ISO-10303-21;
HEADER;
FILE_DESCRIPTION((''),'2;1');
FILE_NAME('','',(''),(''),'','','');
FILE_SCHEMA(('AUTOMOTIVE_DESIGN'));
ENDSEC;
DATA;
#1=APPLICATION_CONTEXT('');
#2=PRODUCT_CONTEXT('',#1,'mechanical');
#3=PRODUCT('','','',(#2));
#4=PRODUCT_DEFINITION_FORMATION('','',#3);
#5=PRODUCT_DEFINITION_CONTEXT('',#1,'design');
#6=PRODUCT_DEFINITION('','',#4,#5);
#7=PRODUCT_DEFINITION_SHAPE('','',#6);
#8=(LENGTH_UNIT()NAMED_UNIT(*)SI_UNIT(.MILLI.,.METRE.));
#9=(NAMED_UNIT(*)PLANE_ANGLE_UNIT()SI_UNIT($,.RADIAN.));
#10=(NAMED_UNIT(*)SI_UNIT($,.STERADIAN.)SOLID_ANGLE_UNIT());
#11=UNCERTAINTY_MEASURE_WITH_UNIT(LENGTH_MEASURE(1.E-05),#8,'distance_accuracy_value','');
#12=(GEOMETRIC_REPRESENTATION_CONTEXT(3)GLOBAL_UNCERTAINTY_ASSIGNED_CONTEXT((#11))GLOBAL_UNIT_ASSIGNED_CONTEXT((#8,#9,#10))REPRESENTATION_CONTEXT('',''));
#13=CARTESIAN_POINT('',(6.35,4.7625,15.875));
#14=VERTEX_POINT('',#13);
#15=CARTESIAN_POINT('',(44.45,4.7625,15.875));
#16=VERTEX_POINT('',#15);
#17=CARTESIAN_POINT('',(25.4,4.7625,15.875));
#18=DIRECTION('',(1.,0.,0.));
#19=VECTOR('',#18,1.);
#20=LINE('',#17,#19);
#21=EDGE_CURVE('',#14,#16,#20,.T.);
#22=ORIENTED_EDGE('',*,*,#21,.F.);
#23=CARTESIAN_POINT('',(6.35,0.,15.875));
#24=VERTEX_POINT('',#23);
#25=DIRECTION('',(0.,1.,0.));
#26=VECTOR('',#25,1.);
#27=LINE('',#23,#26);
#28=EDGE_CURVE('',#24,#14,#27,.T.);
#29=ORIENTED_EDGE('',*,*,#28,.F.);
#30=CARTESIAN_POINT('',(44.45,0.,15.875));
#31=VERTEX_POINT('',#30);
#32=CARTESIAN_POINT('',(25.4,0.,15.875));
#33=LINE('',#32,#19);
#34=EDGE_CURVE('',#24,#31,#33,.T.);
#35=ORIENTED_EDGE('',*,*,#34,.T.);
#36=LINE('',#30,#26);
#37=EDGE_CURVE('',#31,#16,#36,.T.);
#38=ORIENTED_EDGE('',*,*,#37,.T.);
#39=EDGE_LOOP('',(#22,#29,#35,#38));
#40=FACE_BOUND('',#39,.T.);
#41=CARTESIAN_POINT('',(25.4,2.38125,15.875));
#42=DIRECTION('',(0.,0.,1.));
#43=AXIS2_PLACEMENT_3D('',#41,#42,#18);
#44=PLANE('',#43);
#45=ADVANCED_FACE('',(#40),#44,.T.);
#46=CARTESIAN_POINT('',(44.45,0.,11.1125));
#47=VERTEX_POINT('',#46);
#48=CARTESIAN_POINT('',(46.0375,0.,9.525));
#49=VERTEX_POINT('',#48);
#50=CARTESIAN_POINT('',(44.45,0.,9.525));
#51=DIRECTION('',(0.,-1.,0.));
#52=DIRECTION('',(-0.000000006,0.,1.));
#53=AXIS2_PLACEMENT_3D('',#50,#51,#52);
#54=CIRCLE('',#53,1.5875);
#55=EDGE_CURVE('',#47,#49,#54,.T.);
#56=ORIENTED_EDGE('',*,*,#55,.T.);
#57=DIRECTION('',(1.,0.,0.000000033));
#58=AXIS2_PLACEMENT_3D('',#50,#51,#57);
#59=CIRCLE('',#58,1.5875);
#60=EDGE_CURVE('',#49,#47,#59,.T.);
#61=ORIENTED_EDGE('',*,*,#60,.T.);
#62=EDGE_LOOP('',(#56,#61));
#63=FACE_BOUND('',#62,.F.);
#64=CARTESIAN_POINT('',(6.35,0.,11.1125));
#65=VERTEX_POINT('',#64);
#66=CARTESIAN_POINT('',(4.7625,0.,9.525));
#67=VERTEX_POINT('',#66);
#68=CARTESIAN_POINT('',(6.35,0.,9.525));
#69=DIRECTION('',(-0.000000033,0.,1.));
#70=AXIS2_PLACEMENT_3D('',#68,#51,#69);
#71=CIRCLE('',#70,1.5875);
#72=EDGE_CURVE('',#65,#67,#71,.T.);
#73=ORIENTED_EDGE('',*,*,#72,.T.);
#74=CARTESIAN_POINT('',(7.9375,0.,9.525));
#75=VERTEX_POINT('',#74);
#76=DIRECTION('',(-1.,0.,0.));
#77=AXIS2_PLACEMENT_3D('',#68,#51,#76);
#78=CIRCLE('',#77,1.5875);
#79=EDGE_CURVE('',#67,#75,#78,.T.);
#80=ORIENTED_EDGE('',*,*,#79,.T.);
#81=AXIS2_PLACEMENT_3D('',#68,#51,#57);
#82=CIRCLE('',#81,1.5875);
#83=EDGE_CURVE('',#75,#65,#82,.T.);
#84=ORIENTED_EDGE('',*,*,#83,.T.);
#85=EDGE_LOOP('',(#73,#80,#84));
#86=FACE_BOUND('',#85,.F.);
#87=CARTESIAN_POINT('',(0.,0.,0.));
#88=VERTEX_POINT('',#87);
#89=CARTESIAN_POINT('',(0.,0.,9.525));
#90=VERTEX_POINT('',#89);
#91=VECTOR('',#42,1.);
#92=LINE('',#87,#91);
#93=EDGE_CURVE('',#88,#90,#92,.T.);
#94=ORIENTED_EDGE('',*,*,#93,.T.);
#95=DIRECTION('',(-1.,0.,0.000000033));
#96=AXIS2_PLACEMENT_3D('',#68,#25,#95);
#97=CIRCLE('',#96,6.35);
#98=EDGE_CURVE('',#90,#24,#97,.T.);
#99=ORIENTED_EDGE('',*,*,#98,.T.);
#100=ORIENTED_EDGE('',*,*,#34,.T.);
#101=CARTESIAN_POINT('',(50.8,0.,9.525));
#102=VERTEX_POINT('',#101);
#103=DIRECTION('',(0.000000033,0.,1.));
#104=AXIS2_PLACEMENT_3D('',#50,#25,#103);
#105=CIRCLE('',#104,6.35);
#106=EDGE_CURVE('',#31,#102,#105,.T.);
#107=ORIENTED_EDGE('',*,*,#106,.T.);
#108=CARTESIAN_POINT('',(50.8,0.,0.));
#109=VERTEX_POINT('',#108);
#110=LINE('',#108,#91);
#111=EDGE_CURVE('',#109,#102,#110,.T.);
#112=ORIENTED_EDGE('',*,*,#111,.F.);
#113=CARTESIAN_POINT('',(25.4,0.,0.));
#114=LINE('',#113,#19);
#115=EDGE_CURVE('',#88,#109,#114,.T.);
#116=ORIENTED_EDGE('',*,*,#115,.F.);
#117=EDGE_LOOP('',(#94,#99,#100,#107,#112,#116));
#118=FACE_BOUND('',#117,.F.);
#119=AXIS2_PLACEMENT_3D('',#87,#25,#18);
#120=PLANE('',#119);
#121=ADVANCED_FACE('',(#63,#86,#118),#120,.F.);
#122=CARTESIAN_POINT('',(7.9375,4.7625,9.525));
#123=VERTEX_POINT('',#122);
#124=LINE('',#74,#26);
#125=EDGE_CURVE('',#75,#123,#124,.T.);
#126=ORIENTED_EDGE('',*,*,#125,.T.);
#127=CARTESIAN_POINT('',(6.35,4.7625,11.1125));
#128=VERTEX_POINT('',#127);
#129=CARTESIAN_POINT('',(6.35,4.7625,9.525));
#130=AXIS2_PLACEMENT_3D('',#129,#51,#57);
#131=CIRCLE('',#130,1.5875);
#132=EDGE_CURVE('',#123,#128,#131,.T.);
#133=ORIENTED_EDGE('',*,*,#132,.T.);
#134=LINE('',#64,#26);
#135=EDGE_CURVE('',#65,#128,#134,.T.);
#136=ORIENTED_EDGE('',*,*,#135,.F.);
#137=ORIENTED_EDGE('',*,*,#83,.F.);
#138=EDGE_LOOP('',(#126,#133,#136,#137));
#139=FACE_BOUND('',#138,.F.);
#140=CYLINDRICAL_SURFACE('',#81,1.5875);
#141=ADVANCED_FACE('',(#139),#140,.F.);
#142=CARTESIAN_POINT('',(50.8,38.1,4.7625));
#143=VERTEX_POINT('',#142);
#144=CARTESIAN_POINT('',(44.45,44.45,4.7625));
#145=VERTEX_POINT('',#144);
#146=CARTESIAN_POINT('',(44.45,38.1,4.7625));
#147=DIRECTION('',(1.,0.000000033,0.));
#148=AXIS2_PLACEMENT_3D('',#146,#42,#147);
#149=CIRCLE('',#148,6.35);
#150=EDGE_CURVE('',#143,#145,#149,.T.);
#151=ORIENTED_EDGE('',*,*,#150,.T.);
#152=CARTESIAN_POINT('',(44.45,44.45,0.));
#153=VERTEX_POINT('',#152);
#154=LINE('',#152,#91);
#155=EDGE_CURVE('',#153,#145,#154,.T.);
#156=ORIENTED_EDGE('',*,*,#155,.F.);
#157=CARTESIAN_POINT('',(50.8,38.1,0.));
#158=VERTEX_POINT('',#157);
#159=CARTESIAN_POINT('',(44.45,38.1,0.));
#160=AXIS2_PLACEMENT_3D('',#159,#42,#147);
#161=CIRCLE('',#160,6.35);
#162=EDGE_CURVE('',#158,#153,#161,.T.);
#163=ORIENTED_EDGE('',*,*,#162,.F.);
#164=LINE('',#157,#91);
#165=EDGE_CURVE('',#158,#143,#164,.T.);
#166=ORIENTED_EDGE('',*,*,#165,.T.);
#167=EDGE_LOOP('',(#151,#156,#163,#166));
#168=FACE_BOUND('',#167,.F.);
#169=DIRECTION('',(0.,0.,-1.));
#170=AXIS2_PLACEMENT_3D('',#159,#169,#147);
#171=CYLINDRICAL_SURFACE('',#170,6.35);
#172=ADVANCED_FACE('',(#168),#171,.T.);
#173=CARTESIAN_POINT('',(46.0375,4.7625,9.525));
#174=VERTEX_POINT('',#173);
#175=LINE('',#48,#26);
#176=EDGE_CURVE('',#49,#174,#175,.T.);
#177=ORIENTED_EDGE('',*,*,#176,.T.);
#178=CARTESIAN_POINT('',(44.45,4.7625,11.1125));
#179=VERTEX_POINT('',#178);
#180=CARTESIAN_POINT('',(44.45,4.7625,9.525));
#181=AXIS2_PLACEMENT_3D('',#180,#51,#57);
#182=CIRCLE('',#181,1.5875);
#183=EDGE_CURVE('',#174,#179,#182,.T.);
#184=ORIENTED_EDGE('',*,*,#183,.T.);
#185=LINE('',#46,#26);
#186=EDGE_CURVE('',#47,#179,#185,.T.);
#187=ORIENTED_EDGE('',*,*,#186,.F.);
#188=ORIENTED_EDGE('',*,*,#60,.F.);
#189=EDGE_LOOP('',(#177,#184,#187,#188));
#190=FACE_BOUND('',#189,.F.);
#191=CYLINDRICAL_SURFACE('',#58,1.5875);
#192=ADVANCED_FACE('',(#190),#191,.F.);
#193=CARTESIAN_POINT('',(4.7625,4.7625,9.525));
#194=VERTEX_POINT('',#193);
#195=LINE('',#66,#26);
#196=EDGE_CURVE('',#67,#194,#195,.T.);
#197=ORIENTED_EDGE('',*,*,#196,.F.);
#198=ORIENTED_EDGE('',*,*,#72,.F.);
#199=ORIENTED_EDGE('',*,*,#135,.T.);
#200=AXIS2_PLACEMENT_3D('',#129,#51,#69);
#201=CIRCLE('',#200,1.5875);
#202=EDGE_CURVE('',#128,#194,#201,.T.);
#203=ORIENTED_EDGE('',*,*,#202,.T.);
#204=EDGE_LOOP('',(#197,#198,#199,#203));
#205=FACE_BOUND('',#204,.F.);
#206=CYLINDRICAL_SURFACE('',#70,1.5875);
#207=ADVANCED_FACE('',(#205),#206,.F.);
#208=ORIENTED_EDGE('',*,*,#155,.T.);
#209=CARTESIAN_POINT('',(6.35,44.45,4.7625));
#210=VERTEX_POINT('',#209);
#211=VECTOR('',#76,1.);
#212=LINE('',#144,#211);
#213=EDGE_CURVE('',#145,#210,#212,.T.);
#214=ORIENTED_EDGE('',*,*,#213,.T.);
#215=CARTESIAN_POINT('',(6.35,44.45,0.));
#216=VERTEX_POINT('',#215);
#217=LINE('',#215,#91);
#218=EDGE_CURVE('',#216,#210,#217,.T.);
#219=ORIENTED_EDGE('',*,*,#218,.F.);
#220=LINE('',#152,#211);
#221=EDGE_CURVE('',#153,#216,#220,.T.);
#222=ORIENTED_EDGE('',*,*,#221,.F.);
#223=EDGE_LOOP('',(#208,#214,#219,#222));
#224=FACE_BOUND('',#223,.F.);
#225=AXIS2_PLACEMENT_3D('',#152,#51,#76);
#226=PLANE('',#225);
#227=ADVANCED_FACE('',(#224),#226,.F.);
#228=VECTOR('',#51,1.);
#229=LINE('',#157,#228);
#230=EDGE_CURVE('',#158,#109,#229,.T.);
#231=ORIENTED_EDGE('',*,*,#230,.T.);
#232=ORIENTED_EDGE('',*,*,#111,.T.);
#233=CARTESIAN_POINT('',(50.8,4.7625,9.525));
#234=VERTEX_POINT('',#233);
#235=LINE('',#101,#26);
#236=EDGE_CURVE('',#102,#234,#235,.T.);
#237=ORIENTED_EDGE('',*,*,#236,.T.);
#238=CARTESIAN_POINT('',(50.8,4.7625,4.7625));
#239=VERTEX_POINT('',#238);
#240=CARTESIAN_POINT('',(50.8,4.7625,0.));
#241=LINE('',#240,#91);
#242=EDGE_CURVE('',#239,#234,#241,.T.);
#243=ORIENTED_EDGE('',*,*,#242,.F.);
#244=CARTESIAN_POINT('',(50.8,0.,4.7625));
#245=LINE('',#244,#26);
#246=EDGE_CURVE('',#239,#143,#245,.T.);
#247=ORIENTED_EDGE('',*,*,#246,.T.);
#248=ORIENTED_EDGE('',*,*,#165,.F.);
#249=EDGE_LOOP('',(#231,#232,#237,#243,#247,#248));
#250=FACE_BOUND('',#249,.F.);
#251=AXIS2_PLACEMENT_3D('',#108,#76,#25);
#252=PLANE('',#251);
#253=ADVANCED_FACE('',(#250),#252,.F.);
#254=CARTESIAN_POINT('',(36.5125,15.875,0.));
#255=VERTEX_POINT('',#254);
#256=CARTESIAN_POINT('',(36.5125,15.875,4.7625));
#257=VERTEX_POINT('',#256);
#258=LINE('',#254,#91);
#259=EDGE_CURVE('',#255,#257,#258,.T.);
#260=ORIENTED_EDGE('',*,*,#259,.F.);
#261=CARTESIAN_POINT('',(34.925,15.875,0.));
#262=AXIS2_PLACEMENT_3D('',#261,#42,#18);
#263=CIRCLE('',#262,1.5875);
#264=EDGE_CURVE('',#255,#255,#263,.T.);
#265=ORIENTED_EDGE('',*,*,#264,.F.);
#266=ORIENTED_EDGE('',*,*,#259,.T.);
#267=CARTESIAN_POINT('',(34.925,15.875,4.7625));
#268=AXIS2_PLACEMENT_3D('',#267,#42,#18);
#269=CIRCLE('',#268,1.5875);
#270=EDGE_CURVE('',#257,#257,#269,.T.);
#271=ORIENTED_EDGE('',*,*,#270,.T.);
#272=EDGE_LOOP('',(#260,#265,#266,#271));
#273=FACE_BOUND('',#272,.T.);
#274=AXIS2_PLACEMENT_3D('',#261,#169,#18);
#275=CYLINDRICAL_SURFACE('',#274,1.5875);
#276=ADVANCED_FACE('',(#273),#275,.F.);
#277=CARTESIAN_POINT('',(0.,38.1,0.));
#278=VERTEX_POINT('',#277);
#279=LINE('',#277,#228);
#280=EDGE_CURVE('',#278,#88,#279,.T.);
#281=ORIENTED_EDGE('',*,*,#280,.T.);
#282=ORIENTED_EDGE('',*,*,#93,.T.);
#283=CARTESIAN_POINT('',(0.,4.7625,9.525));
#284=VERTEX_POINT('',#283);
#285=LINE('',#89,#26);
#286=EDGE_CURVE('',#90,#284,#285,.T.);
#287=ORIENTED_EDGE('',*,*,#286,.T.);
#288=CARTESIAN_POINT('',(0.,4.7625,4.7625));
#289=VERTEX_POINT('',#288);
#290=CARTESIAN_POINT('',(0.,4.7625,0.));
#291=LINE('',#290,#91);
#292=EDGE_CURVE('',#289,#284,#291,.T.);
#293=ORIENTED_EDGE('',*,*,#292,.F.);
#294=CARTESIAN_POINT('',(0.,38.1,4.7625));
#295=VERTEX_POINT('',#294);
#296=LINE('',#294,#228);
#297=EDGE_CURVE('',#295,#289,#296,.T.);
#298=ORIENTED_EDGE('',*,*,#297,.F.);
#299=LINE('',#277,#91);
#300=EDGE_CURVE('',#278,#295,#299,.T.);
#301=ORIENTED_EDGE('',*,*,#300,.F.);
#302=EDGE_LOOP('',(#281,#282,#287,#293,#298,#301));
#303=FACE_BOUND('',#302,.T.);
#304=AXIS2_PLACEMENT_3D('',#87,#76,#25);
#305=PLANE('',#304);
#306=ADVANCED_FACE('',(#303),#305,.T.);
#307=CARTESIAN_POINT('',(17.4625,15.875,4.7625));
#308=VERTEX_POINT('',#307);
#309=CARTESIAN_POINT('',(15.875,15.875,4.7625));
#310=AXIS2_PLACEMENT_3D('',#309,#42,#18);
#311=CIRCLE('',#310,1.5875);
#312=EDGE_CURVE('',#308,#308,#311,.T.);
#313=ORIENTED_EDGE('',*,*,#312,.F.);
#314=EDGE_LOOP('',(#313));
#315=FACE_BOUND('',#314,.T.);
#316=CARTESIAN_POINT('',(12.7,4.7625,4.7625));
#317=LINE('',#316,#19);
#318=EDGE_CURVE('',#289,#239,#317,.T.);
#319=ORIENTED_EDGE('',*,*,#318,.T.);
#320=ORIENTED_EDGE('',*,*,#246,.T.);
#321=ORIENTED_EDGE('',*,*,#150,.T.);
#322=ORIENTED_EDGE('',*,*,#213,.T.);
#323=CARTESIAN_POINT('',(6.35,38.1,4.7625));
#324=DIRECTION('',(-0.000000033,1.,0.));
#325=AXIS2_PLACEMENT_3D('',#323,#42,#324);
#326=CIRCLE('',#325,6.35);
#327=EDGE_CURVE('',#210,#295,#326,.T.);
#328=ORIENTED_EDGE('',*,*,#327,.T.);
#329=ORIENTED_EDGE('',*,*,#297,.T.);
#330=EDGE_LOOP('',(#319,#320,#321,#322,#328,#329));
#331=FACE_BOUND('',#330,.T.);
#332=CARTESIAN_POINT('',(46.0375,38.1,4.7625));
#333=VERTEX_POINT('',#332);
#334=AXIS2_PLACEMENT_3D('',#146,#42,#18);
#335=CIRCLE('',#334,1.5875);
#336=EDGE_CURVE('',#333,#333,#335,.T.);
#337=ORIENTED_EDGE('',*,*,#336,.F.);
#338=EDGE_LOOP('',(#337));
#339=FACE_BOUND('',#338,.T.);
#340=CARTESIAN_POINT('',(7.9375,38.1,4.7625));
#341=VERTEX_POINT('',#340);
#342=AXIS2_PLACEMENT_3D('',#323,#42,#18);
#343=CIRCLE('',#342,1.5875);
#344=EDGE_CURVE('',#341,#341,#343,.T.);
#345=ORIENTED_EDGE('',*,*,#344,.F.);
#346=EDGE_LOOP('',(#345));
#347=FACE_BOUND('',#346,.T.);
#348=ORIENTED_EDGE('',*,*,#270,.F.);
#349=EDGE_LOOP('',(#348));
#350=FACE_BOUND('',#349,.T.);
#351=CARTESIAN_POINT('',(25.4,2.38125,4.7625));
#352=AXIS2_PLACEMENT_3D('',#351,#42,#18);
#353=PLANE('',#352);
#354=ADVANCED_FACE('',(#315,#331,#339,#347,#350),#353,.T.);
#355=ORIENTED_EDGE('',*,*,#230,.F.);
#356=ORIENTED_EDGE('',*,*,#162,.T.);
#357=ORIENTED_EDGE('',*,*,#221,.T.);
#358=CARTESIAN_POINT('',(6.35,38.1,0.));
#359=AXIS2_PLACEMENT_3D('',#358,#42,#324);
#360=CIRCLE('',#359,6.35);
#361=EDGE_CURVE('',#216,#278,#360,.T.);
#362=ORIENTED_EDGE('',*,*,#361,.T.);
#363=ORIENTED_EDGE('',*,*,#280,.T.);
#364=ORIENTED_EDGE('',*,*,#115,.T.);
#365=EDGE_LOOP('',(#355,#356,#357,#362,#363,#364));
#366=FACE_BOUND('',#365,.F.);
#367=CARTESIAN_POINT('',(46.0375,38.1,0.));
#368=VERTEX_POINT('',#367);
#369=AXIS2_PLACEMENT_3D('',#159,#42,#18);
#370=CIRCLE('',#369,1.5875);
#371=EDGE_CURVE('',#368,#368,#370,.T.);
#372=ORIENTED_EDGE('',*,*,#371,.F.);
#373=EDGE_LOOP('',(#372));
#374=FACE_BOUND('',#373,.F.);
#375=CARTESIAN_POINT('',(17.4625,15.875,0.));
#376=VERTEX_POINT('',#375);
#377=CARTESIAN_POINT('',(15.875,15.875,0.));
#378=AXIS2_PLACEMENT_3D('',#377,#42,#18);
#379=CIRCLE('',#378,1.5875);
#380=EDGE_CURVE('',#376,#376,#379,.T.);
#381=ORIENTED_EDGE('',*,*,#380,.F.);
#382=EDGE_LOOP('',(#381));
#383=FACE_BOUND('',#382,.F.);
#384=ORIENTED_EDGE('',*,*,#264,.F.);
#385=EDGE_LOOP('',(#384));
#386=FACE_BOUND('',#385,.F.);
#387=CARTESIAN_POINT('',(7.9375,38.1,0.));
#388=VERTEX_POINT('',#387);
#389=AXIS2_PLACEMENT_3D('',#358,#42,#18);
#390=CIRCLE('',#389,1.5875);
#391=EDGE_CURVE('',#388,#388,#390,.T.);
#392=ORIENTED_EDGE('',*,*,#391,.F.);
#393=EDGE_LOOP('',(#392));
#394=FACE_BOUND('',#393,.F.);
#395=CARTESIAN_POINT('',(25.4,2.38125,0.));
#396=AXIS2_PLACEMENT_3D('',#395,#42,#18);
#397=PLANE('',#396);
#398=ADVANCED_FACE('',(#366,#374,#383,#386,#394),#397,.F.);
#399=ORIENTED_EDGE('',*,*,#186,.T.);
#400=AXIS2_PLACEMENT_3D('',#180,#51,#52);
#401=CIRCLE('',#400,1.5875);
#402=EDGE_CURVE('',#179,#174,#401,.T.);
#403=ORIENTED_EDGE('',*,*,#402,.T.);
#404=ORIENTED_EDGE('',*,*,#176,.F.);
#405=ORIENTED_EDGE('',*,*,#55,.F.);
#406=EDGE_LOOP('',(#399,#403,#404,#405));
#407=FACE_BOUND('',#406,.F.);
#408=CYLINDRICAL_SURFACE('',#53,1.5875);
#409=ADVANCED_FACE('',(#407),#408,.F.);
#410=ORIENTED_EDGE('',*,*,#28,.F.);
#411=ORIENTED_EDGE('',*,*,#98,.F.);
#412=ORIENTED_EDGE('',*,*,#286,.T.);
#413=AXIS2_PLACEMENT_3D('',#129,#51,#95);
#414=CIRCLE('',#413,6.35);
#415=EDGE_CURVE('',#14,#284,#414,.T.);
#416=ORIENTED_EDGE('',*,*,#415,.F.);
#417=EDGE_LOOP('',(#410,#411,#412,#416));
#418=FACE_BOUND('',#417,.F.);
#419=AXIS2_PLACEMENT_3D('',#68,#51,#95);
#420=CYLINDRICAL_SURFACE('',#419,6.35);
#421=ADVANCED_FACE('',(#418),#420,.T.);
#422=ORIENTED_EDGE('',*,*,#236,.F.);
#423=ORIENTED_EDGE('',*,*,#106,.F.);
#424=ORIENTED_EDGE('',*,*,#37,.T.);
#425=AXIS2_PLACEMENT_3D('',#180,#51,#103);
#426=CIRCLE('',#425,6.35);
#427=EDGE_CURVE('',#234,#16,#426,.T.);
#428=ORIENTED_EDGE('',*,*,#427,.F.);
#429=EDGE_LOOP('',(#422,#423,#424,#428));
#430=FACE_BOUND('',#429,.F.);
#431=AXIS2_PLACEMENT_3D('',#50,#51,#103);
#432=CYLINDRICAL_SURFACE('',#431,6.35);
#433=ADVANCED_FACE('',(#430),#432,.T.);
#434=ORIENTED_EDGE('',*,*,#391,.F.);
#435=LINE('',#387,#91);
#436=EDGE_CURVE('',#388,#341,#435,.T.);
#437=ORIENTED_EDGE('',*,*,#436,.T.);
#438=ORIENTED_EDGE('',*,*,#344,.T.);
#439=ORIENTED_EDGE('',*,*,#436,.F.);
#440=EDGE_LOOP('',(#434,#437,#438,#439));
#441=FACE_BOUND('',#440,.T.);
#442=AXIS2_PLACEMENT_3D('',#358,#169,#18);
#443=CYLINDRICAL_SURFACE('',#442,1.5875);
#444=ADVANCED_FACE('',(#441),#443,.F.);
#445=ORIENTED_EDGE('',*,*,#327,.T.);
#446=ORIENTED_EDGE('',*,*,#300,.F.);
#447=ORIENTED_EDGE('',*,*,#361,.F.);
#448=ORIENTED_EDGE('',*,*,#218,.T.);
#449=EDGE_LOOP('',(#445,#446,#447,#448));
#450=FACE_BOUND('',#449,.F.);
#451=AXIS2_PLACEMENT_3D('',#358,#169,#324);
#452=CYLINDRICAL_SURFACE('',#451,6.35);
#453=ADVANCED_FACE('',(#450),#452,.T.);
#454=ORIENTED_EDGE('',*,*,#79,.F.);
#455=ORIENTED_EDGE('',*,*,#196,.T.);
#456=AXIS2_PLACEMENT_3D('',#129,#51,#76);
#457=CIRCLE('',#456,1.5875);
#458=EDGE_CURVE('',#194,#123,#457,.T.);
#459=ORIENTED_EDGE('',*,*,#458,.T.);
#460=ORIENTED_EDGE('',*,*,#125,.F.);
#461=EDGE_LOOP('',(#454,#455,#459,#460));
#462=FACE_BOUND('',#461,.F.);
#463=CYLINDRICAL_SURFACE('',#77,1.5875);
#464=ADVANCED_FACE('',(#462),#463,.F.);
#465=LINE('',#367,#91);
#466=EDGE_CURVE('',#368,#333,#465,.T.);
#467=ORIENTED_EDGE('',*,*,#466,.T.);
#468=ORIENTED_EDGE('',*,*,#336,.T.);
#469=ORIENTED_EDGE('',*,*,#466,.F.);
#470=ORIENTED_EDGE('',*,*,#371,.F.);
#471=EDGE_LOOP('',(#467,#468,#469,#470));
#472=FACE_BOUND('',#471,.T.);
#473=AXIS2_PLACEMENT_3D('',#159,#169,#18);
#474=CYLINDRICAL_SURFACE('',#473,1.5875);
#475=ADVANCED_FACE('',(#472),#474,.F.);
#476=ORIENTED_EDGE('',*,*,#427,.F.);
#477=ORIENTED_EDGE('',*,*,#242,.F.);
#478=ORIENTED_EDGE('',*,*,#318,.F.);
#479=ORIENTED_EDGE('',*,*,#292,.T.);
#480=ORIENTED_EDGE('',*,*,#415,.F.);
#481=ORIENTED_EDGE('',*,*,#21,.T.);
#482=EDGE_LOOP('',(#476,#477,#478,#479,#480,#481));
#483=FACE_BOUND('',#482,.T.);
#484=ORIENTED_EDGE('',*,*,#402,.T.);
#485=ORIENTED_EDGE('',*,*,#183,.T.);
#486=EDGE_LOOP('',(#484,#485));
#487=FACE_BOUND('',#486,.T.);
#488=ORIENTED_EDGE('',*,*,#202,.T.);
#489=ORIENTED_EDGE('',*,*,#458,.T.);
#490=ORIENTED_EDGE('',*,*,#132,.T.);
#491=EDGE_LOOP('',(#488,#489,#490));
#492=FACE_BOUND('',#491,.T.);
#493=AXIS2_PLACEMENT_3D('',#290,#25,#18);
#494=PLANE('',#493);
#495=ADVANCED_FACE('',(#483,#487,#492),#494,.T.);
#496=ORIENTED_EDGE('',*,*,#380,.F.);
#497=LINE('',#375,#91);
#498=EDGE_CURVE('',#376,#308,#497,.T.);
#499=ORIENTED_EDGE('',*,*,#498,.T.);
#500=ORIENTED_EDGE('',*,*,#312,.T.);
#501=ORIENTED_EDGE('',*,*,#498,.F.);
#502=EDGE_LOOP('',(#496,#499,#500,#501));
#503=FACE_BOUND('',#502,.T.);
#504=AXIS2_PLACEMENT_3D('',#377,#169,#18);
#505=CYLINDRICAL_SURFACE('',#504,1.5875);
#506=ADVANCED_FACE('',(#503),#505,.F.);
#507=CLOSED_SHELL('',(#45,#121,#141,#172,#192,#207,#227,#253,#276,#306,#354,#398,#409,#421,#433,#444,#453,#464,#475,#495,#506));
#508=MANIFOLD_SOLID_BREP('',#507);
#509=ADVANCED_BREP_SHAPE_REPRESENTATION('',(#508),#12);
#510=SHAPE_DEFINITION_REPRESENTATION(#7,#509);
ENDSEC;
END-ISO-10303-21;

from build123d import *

# Parameters (mm, degrees)
F0_W     = 50.8
F0_H     = 4.7625
F1_DEPTH = 15.875
F0_R     = 1.5875
F2_DEPTH = 4.7625
F4_DEPTH = 25.4


with BuildPart() as f1:
    # F0 (on Top) → F1 (new body)
    with BuildSketch(Plane.XY):
        with Locations((25.4, 2.38125)):
            Rectangle(F0_W, F0_H)
    extrude(amount=F1_DEPTH)

    # F0 (on Top) → F2 (join)
    with BuildSketch(Plane.XY):
        with Locations((25.4, 2.38125)):
            Rectangle(F0_W, F0_H)
        with BuildLine():
            Line((0, 38.1), (0, 4.7625))
            Line((0, 4.7625), (50.8, 4.7625))
            Line((50.8, 4.7625), (50.8, 38.1))
            ThreePointArc((50.8, 38.1), (48.940128, 42.590128), (44.45, 44.45))
            Line((44.45, 44.45), (6.35, 44.45))
            ThreePointArc((6.35, 44.45), (1.859872, 42.590128), (0, 38.1))
        make_face()
        with Locations((15.875, 15.875)):
            Circle(F0_R, mode=Mode.SUBTRACT)
        with Locations((34.925, 15.875)):
            Circle(F0_R, mode=Mode.SUBTRACT)
        with Locations((6.35, 38.1)):
            Circle(F0_R, mode=Mode.SUBTRACT)
        with Locations((44.45, 38.1)):
            Circle(F0_R, mode=Mode.SUBTRACT)
    extrude(amount=F2_DEPTH)

    # F3 (on face) → F4 (cut)
    with BuildSketch(Plane.XZ):
        with BuildLine():
            ThreePointArc((0, 9.525), (1.859872, 14.015128), (6.35, 15.875))
            Line((6.35, 15.875), (0, 15.875))
            Line((0, 15.875), (0, 9.525))
        make_face()
        with BuildLine():
            ThreePointArc((4.7625, 9.525), (6.35, 7.9375), (7.9375, 9.525))
            ThreePointArc((7.9375, 9.525), (7.472532, 10.647532), (6.35, 11.1125))
            Line((6.35, 11.1125), (6.35, 9.525))
            Line((6.35, 9.525), (4.7625, 9.525))
        make_face()
        with BuildLine():
            Line((6.35, 9.525), (6.35, 11.1125))
            ThreePointArc((6.35, 11.1125), (5.227468, 10.647532), (4.7625, 9.525))
            Line((4.7625, 9.525), (6.35, 9.525))
        make_face()
        with BuildLine():
            Line((50.8, 15.875), (44.45, 15.875))
            ThreePointArc((44.45, 15.875), (48.940128, 14.015128), (50.8, 9.525))
            Line((50.8, 9.525), (50.8, 15.875))
        make_face()
        with BuildLine():
            ThreePointArc((46.0375, 9.525), (45.572532, 10.647532), (44.45, 11.1125))
            Line((44.45, 11.1125), (44.45, 9.525))
            Line((44.45, 9.525), (46.0375, 9.525))
        make_face()
        with BuildLine():
            Line((44.45, 9.525), (44.45, 11.1125))
            ThreePointArc((44.45, 11.1125), (43.327468, 8.402468), (46.0375, 9.525))
            Line((46.0375, 9.525), (44.45, 9.525))
        make_face()
    extrude(amount=-F4_DEPTH, mode=Mode.SUBTRACT)


solid = f1.part
